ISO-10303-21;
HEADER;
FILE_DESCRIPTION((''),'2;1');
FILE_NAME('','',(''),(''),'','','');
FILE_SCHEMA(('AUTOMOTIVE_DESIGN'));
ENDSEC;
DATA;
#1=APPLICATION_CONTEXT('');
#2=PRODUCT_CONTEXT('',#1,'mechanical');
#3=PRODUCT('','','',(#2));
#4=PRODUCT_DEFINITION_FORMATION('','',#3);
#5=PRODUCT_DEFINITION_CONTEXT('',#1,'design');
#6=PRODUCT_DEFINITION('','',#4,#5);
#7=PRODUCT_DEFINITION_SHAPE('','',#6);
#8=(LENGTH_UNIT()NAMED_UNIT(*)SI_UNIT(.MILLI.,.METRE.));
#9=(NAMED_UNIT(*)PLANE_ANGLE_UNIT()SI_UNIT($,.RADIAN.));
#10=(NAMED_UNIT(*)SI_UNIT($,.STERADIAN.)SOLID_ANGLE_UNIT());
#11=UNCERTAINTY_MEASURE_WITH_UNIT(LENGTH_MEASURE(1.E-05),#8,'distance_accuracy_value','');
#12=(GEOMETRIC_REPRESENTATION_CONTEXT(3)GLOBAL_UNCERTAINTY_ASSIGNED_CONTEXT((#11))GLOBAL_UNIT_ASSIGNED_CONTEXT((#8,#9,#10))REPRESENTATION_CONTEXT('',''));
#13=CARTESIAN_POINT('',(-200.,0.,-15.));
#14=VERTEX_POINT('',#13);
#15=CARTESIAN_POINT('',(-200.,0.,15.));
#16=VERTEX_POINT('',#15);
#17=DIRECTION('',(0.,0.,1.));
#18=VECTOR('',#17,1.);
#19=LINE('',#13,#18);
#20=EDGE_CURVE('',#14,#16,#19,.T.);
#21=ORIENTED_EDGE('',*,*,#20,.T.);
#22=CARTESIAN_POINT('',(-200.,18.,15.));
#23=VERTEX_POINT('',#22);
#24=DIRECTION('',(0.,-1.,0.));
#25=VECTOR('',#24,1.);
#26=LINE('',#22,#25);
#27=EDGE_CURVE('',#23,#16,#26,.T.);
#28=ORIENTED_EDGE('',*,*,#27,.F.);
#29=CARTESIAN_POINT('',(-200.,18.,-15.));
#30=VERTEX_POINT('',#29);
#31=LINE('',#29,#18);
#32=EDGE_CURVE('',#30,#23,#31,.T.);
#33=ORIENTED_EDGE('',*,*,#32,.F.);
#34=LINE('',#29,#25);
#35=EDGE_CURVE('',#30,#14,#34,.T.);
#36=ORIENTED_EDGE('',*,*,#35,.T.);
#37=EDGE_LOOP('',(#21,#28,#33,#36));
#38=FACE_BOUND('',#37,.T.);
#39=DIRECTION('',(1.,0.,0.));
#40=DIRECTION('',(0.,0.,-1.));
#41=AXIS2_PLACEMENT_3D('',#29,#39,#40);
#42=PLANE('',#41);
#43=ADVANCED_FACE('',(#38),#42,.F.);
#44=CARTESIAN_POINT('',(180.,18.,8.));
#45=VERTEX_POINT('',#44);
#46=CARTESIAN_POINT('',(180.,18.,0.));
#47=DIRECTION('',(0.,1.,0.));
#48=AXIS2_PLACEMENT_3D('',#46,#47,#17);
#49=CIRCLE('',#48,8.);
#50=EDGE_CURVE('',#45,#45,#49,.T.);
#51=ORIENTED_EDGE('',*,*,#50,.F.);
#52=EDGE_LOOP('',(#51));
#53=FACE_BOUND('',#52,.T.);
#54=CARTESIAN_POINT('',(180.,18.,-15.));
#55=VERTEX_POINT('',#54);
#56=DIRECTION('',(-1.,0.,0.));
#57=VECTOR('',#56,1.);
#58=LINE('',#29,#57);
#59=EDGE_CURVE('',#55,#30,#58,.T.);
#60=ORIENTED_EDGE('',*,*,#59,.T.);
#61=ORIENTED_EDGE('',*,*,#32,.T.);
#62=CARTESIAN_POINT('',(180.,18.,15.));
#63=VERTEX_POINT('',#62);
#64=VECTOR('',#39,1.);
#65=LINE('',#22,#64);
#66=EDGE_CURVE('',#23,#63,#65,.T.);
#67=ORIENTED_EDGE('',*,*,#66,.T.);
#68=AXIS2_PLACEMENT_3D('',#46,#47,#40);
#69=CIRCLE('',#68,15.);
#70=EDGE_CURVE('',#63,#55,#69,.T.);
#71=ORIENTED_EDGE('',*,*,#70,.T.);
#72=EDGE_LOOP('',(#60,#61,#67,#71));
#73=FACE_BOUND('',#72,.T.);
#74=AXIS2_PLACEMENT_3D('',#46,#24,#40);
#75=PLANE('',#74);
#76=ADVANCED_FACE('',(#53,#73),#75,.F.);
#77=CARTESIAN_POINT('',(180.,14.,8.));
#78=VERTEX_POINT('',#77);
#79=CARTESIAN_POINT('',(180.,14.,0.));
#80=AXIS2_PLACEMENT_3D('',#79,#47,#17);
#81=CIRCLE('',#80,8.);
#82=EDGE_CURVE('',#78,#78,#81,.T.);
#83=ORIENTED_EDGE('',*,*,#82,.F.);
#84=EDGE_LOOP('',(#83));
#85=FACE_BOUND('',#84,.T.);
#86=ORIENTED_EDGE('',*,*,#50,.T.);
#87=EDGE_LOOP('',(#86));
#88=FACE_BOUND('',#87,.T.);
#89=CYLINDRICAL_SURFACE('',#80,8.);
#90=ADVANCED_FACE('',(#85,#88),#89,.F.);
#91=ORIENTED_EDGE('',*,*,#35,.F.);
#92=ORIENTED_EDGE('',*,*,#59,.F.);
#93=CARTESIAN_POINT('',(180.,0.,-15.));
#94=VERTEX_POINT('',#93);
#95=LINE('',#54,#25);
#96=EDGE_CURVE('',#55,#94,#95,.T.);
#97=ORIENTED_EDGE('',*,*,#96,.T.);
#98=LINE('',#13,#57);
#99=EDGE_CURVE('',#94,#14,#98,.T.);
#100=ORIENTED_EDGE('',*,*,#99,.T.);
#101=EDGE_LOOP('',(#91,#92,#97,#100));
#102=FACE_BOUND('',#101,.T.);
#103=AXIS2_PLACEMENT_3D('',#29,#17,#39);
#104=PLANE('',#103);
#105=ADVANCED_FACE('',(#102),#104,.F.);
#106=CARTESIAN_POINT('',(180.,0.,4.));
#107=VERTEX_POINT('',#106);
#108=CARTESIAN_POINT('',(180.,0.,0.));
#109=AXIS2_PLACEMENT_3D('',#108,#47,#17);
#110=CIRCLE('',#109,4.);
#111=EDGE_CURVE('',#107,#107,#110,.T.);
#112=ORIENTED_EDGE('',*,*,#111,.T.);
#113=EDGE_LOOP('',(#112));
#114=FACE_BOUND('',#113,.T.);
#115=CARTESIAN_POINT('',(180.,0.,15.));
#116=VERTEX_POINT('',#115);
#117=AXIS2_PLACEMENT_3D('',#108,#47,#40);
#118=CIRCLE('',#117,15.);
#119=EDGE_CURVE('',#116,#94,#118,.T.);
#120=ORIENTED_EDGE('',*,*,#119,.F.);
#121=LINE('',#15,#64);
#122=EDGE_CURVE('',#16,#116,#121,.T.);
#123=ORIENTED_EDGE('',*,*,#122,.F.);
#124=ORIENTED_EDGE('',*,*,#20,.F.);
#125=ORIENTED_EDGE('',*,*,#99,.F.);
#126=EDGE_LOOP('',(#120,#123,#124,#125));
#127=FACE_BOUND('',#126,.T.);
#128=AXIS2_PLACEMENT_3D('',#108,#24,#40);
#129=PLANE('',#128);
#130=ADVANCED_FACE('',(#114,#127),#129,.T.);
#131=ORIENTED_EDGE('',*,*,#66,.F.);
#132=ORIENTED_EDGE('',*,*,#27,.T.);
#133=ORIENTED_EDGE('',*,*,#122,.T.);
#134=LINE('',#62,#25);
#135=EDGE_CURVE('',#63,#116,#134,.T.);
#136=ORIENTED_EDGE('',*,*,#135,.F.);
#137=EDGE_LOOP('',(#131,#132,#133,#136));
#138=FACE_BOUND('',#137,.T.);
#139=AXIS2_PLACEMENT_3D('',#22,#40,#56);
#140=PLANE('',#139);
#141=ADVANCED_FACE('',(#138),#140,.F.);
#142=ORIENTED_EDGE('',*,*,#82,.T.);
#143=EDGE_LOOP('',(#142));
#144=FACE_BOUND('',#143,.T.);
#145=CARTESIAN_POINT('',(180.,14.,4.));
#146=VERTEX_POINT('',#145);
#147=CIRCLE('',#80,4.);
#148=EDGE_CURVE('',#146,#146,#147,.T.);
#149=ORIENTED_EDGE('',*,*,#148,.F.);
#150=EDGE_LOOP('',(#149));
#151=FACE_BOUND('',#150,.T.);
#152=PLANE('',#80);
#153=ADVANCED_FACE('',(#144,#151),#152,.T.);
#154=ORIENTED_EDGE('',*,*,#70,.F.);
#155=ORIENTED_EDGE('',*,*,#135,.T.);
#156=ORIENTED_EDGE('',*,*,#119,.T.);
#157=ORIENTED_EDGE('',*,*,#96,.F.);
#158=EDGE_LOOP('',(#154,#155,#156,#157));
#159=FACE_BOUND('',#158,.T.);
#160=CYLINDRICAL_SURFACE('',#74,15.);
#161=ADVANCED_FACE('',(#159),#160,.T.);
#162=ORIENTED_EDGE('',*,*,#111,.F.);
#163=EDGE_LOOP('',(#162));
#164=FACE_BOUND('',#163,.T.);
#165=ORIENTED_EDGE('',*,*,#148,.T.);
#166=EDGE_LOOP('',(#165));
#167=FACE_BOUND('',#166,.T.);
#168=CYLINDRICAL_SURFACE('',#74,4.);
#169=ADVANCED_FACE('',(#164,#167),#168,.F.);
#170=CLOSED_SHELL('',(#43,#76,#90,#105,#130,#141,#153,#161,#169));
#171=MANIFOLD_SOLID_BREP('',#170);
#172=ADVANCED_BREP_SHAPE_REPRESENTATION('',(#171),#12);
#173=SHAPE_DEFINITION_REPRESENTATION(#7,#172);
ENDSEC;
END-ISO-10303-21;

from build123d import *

# Parameters (mm, degrees)
SKETCH1_R           = 4
BOSS_EXTRUDE1_DEPTH = 18
SKETCH2_R           = 8
CUT_EXTRUDE1_DEPTH  = 4


with BuildPart() as part:
    # Sketch1 → Boss-Extrude1 (new body)
    with BuildSketch(Plane(origin=(0, 0, 0), x_dir=(1, 0, 0), z_dir=(0, 1, 0))):
        with BuildLine():
            Line((-200, 15), (-200, -15))
            Line((-200, -15), (180, -15))
            ThreePointArc((180, -15), (195, 0), (180, 15))
            Line((180, 15), (-200, 15))
        make_face()
        with Locations(Location((180, 0, 0), (0, 0, 270))):
            Circle(SKETCH1_R, mode=Mode.SUBTRACT)
    extrude(amount=BOSS_EXTRUDE1_DEPTH)

    # Sketch2 → Cut-Extrude1 (cut)
    with BuildSketch(Plane(origin=(0, 18, 0), x_dir=(1, 0, 0), z_dir=(0, 1, 0))):
        with Locations(Location((180, 0, 0), (0, 0, 270))):
            Circle(SKETCH2_R)
    extrude(amount=-CUT_EXTRUDE1_DEPTH, mode=Mode.SUBTRACT)


solid = part.part
